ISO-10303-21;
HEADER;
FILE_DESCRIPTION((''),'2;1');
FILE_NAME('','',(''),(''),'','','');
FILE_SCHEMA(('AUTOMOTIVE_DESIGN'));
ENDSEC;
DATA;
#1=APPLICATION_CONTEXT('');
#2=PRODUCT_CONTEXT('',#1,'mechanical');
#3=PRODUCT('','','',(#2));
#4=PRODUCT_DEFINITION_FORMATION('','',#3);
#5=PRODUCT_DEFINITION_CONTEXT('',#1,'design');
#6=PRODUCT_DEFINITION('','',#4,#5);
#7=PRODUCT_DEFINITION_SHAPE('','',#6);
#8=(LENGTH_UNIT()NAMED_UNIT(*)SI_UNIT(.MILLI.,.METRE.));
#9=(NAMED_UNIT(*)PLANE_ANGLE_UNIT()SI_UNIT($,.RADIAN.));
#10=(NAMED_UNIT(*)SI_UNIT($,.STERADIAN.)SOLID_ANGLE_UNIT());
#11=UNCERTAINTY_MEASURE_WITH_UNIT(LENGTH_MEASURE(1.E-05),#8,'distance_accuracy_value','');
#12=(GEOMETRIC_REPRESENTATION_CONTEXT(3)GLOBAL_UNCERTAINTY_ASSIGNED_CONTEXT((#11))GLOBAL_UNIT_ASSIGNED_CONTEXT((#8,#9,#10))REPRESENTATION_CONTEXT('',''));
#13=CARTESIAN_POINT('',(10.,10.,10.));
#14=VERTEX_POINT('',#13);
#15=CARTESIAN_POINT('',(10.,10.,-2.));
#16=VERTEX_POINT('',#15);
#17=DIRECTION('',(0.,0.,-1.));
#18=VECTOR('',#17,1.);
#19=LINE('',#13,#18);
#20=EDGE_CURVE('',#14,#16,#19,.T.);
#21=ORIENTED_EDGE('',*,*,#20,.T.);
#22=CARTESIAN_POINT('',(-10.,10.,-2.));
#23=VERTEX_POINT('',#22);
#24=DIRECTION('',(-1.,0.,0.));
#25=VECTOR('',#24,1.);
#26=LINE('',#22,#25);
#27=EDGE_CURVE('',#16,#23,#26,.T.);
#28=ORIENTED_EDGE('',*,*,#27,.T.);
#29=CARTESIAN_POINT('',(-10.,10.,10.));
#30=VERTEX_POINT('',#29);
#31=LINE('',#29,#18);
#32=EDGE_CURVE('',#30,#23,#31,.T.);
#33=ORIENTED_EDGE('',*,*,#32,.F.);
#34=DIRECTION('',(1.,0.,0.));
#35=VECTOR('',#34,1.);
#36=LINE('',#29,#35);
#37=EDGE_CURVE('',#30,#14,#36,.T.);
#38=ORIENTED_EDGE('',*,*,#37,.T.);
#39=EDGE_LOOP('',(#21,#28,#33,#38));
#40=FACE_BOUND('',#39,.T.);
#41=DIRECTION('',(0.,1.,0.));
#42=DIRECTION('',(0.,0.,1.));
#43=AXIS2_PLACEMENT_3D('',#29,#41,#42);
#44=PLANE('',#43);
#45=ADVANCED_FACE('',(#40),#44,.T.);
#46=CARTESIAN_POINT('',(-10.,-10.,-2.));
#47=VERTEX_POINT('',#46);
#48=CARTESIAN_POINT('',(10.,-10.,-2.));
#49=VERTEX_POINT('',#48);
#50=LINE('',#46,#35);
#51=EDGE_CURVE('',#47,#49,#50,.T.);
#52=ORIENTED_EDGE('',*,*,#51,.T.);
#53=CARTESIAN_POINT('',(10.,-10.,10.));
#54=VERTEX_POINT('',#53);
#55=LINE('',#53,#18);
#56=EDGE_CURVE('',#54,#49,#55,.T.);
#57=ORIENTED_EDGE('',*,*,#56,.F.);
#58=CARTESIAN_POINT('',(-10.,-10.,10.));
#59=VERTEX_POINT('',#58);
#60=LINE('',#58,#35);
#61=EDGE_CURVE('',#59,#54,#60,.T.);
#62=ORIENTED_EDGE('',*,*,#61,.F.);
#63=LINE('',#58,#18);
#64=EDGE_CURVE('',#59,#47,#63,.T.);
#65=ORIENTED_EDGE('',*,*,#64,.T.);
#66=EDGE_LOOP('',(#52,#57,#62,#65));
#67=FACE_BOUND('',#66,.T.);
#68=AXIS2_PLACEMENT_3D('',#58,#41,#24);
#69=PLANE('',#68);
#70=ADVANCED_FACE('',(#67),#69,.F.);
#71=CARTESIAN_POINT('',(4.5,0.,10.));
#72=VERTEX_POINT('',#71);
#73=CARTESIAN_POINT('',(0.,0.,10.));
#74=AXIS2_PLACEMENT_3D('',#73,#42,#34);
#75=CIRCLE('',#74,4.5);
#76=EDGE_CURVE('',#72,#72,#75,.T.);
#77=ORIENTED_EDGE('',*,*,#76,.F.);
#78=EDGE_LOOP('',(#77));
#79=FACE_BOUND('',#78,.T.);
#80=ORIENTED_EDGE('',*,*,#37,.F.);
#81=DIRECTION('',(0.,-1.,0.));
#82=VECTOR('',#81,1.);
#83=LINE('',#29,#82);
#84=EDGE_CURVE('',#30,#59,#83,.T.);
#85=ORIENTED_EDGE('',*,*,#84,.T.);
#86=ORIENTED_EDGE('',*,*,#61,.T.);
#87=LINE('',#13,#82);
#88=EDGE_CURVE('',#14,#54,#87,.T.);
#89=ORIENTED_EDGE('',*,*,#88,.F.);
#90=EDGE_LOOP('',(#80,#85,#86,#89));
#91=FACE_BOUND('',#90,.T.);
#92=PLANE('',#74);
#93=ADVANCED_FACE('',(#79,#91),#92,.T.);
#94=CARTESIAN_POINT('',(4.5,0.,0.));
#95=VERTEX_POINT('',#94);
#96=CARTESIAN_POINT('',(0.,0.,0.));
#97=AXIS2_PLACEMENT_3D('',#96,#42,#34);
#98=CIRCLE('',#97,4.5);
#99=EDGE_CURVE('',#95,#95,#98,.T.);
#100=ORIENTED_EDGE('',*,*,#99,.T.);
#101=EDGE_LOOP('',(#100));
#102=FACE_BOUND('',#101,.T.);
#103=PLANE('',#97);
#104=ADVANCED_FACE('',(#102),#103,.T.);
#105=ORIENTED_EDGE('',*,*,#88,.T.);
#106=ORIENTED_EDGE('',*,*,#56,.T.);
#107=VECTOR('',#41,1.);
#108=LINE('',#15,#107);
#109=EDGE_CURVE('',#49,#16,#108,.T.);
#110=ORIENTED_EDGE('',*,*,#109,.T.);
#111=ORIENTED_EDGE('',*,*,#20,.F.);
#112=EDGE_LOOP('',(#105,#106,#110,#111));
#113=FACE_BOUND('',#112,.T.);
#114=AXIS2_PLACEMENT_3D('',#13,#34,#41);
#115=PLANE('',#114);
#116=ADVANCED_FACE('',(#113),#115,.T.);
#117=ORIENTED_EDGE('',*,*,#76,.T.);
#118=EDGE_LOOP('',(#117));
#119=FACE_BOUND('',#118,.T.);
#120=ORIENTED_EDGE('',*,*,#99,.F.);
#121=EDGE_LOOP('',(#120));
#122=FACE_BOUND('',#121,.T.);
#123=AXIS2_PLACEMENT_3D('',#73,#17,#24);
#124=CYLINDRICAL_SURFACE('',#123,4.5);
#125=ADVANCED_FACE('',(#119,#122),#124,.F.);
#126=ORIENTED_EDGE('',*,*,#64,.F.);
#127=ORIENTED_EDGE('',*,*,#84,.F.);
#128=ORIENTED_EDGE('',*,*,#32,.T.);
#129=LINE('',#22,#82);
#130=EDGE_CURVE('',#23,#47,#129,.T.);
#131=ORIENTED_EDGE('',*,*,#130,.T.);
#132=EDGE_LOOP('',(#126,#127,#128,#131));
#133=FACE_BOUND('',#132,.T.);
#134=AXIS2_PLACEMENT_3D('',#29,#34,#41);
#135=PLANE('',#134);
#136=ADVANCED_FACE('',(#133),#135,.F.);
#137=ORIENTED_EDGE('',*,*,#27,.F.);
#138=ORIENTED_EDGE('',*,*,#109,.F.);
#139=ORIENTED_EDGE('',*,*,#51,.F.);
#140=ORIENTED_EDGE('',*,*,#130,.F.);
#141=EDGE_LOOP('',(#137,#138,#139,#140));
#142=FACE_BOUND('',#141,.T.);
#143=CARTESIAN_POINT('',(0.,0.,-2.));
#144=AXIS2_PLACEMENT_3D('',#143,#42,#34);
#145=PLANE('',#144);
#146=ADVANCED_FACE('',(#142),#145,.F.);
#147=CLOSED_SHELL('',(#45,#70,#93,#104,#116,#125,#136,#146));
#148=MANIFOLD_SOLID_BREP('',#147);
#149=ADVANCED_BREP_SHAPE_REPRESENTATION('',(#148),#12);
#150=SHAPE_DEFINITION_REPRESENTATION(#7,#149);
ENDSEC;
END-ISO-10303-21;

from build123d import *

# Parameters (mm, degrees)
SKETCH1_W           = 20
SKETCH1_H           = 20
SKETCH1_R           = 4.5
BOSS_EXTRUDE1_DEPTH = 10
SKETCH2_W           = 20
SKETCH2_H           = 20
BOSS_EXTRUDE2_DEPTH = 2


with BuildPart() as part:
    # Sketch1 → Boss-Extrude1 (new body)
    with BuildSketch(Plane.XY):
        Rectangle(SKETCH1_W, SKETCH1_H)
        Circle(SKETCH1_R, mode=Mode.SUBTRACT)
    extrude(amount=BOSS_EXTRUDE1_DEPTH)

    # Sketch2 → Boss-Extrude2 (add)
    with BuildSketch(Plane.XY):
        Rectangle(SKETCH2_W, SKETCH2_H)
    extrude(amount=-BOSS_EXTRUDE2_DEPTH)


solid = part.part
